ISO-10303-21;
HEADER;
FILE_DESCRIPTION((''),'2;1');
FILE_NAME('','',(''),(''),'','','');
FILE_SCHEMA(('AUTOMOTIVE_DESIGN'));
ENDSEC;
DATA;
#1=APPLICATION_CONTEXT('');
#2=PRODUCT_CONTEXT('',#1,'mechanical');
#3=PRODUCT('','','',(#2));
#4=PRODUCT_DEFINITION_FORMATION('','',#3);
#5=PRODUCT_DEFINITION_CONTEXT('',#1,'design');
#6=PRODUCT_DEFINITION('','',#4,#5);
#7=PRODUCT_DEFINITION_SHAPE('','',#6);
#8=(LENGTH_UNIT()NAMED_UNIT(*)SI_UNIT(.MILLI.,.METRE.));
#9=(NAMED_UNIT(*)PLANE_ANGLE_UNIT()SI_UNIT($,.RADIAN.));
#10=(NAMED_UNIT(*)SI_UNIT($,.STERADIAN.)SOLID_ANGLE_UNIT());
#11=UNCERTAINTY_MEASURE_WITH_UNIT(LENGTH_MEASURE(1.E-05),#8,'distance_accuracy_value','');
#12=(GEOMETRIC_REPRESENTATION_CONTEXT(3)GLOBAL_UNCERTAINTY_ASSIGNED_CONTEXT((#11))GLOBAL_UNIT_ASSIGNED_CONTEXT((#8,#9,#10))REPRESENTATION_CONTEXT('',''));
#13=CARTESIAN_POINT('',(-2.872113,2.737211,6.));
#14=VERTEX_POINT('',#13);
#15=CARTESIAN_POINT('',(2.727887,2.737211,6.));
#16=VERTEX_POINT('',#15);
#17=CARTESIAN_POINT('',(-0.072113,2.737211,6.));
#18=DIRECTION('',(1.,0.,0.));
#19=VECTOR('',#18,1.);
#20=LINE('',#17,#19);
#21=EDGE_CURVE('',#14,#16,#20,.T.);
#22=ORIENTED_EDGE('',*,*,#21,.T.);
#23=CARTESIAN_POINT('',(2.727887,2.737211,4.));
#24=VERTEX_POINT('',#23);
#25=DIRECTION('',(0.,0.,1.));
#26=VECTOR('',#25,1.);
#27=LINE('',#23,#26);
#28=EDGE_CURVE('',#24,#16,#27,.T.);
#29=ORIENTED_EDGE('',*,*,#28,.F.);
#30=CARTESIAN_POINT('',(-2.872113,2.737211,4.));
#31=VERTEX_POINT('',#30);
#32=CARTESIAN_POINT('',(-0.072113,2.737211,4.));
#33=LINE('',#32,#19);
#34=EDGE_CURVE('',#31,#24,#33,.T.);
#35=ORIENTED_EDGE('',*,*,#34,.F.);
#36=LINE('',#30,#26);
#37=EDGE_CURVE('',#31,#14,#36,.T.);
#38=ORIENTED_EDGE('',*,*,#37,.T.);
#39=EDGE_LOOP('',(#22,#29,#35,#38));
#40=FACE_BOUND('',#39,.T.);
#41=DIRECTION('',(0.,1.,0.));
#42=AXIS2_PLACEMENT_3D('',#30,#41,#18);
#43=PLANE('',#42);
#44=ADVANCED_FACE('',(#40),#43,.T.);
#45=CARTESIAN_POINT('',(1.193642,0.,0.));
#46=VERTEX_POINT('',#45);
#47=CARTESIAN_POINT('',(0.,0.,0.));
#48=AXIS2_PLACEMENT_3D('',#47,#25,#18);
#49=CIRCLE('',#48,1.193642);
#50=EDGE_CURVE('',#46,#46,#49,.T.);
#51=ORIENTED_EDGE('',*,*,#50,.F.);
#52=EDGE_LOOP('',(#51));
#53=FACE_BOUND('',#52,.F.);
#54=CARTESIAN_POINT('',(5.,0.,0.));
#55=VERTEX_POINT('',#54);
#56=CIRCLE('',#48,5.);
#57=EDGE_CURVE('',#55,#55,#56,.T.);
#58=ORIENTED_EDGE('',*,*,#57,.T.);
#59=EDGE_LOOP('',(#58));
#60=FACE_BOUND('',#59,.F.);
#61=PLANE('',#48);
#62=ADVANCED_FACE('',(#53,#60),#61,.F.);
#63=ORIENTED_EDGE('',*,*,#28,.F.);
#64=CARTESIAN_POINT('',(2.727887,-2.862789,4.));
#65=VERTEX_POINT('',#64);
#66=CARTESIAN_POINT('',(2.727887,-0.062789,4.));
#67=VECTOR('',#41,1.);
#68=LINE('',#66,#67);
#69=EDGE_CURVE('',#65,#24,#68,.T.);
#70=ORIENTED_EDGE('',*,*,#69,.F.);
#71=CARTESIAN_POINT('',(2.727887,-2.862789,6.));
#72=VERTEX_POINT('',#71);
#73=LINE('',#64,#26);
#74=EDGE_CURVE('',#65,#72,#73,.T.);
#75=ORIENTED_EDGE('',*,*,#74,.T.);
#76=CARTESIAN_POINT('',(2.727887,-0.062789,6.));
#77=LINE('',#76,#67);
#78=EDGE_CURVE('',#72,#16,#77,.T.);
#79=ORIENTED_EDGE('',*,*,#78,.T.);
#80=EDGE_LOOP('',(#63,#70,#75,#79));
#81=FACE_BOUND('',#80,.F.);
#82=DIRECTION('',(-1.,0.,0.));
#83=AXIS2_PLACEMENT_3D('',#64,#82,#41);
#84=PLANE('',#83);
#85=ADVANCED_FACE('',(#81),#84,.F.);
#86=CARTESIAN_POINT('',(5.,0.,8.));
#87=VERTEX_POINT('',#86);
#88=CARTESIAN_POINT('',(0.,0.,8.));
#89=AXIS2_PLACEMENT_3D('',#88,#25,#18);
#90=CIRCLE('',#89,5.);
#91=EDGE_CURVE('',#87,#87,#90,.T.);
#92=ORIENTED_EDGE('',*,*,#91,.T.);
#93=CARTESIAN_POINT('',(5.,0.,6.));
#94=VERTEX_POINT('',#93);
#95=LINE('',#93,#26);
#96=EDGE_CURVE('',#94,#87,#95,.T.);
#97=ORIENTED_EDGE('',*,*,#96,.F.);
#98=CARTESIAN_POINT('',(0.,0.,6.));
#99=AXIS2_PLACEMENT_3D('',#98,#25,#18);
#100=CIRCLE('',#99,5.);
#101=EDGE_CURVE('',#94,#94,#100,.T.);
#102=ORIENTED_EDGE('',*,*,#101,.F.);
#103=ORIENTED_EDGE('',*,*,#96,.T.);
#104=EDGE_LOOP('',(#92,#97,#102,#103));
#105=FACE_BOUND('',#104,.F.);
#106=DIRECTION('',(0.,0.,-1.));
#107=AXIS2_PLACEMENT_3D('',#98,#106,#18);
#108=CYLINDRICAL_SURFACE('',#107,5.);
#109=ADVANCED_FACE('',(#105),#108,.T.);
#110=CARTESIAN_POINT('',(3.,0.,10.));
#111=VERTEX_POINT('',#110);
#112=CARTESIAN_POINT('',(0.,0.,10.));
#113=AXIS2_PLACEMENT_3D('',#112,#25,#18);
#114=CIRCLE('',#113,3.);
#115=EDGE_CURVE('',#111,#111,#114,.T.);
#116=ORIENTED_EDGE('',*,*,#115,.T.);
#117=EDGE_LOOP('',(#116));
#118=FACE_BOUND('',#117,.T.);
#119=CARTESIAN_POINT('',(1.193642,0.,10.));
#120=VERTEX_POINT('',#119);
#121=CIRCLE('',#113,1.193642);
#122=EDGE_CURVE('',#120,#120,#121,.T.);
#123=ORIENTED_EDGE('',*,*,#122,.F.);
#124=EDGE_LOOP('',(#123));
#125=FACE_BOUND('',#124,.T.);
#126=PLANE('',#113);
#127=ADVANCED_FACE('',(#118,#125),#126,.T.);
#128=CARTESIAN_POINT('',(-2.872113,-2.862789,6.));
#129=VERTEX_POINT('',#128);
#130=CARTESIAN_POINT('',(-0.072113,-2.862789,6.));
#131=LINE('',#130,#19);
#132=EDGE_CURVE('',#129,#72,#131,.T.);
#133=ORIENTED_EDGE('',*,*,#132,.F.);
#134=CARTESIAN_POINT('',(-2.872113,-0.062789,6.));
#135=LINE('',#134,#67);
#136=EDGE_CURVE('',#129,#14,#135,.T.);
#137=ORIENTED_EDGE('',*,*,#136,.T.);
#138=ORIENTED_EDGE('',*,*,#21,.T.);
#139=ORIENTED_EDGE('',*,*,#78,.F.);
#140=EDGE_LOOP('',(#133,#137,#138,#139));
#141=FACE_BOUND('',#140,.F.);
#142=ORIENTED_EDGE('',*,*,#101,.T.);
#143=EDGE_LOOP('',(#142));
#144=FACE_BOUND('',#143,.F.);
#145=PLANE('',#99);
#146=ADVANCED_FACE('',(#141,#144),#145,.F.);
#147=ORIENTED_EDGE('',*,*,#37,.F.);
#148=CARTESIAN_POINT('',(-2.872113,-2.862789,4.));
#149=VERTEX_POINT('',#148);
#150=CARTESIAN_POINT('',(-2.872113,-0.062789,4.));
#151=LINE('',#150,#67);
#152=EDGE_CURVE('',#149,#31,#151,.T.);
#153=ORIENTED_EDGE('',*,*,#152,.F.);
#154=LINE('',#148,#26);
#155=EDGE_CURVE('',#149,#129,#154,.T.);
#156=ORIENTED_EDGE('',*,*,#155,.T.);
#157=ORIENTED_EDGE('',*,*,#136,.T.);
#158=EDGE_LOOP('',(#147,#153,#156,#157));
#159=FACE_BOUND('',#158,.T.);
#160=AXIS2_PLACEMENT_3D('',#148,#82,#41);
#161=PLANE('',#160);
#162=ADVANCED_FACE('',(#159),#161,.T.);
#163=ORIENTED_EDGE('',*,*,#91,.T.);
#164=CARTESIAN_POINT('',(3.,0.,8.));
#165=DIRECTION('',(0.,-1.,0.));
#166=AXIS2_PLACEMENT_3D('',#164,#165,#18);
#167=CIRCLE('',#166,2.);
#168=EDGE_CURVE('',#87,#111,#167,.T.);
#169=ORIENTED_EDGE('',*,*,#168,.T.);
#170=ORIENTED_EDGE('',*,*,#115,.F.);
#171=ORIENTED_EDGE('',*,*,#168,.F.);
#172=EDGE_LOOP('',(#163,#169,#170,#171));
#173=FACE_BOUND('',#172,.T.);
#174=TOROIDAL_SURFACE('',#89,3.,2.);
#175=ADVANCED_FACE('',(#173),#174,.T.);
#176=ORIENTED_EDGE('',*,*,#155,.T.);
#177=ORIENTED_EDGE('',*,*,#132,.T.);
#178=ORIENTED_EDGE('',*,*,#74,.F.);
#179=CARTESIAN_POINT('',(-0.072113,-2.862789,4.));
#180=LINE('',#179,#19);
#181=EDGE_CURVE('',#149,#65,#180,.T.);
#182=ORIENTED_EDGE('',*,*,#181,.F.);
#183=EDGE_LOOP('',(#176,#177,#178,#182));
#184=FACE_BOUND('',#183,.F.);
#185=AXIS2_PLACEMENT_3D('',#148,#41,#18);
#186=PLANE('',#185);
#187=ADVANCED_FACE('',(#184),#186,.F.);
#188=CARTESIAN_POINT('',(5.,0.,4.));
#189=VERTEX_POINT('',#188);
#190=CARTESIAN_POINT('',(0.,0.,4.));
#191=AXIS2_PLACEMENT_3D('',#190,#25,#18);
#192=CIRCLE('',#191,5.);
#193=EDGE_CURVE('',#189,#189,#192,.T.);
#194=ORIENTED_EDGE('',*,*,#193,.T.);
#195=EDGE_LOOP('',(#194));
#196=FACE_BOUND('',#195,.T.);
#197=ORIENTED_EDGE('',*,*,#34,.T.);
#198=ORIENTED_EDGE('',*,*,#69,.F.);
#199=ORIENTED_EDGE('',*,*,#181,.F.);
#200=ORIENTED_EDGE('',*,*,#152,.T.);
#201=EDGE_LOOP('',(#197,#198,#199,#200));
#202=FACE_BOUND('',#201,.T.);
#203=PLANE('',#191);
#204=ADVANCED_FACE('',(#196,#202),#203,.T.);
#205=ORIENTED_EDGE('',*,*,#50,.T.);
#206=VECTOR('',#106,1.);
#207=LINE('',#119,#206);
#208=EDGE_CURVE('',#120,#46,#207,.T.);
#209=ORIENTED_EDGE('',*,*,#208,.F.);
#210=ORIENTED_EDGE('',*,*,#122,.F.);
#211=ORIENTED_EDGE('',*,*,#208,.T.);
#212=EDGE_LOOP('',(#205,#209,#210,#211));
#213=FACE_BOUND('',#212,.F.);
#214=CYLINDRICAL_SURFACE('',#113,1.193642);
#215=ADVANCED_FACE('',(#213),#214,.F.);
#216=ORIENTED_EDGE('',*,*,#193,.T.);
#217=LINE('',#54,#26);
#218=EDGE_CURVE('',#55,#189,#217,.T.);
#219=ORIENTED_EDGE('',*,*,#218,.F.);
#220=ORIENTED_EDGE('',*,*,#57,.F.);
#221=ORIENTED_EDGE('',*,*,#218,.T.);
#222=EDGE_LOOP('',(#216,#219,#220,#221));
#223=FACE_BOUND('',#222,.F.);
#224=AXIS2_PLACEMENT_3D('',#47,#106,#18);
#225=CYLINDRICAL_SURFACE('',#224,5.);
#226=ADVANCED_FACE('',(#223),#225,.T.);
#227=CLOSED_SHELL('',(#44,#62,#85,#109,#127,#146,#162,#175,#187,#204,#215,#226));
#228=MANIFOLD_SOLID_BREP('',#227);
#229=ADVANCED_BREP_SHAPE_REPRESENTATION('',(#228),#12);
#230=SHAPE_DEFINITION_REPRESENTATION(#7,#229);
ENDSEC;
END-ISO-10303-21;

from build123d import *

# Parameters (mm, degrees)
F0_R     = 5
F1_DEPTH = 4
F2_W     = 5.6
F2_H     = 5.6
F3_DEPTH = 2
F4_R     = 5
F5_DEPTH = 4
F6_R     = 1.1936420452
F7_DEPTH = 10.001
F8_R     = 2


with BuildPart() as f1:
    # F0 (on Top) → F1 (new body)
    with BuildSketch(Plane.XY):
        Circle(F0_R)
    extrude(amount=F1_DEPTH)

    # F2 (on face) → F3 (join)
    with BuildSketch(Plane.XY.offset(4)):
        with Locations((-0.0721134877, -0.062788504)):
            Rectangle(F2_W, F2_H)
    extrude(amount=F3_DEPTH)

    # F4 (on face) → F5 (join)
    with BuildSketch(Plane.XY.offset(6)):
        Circle(F4_R)
    extrude(amount=F5_DEPTH)

    # F6 (on face) → F7 (cut, through all)
    with BuildSketch(Plane.XY.offset(10)):
        Circle(F6_R)
    extrude(amount=-F7_DEPTH, mode=Mode.SUBTRACT)

    # F8
    f8_edges = [f1.edges().sort_by_distance(p)[0] for p in [
        (-5, 0, 10),
    ]]
    fillet(f8_edges, radius=F8_R)


solid = f1.part
